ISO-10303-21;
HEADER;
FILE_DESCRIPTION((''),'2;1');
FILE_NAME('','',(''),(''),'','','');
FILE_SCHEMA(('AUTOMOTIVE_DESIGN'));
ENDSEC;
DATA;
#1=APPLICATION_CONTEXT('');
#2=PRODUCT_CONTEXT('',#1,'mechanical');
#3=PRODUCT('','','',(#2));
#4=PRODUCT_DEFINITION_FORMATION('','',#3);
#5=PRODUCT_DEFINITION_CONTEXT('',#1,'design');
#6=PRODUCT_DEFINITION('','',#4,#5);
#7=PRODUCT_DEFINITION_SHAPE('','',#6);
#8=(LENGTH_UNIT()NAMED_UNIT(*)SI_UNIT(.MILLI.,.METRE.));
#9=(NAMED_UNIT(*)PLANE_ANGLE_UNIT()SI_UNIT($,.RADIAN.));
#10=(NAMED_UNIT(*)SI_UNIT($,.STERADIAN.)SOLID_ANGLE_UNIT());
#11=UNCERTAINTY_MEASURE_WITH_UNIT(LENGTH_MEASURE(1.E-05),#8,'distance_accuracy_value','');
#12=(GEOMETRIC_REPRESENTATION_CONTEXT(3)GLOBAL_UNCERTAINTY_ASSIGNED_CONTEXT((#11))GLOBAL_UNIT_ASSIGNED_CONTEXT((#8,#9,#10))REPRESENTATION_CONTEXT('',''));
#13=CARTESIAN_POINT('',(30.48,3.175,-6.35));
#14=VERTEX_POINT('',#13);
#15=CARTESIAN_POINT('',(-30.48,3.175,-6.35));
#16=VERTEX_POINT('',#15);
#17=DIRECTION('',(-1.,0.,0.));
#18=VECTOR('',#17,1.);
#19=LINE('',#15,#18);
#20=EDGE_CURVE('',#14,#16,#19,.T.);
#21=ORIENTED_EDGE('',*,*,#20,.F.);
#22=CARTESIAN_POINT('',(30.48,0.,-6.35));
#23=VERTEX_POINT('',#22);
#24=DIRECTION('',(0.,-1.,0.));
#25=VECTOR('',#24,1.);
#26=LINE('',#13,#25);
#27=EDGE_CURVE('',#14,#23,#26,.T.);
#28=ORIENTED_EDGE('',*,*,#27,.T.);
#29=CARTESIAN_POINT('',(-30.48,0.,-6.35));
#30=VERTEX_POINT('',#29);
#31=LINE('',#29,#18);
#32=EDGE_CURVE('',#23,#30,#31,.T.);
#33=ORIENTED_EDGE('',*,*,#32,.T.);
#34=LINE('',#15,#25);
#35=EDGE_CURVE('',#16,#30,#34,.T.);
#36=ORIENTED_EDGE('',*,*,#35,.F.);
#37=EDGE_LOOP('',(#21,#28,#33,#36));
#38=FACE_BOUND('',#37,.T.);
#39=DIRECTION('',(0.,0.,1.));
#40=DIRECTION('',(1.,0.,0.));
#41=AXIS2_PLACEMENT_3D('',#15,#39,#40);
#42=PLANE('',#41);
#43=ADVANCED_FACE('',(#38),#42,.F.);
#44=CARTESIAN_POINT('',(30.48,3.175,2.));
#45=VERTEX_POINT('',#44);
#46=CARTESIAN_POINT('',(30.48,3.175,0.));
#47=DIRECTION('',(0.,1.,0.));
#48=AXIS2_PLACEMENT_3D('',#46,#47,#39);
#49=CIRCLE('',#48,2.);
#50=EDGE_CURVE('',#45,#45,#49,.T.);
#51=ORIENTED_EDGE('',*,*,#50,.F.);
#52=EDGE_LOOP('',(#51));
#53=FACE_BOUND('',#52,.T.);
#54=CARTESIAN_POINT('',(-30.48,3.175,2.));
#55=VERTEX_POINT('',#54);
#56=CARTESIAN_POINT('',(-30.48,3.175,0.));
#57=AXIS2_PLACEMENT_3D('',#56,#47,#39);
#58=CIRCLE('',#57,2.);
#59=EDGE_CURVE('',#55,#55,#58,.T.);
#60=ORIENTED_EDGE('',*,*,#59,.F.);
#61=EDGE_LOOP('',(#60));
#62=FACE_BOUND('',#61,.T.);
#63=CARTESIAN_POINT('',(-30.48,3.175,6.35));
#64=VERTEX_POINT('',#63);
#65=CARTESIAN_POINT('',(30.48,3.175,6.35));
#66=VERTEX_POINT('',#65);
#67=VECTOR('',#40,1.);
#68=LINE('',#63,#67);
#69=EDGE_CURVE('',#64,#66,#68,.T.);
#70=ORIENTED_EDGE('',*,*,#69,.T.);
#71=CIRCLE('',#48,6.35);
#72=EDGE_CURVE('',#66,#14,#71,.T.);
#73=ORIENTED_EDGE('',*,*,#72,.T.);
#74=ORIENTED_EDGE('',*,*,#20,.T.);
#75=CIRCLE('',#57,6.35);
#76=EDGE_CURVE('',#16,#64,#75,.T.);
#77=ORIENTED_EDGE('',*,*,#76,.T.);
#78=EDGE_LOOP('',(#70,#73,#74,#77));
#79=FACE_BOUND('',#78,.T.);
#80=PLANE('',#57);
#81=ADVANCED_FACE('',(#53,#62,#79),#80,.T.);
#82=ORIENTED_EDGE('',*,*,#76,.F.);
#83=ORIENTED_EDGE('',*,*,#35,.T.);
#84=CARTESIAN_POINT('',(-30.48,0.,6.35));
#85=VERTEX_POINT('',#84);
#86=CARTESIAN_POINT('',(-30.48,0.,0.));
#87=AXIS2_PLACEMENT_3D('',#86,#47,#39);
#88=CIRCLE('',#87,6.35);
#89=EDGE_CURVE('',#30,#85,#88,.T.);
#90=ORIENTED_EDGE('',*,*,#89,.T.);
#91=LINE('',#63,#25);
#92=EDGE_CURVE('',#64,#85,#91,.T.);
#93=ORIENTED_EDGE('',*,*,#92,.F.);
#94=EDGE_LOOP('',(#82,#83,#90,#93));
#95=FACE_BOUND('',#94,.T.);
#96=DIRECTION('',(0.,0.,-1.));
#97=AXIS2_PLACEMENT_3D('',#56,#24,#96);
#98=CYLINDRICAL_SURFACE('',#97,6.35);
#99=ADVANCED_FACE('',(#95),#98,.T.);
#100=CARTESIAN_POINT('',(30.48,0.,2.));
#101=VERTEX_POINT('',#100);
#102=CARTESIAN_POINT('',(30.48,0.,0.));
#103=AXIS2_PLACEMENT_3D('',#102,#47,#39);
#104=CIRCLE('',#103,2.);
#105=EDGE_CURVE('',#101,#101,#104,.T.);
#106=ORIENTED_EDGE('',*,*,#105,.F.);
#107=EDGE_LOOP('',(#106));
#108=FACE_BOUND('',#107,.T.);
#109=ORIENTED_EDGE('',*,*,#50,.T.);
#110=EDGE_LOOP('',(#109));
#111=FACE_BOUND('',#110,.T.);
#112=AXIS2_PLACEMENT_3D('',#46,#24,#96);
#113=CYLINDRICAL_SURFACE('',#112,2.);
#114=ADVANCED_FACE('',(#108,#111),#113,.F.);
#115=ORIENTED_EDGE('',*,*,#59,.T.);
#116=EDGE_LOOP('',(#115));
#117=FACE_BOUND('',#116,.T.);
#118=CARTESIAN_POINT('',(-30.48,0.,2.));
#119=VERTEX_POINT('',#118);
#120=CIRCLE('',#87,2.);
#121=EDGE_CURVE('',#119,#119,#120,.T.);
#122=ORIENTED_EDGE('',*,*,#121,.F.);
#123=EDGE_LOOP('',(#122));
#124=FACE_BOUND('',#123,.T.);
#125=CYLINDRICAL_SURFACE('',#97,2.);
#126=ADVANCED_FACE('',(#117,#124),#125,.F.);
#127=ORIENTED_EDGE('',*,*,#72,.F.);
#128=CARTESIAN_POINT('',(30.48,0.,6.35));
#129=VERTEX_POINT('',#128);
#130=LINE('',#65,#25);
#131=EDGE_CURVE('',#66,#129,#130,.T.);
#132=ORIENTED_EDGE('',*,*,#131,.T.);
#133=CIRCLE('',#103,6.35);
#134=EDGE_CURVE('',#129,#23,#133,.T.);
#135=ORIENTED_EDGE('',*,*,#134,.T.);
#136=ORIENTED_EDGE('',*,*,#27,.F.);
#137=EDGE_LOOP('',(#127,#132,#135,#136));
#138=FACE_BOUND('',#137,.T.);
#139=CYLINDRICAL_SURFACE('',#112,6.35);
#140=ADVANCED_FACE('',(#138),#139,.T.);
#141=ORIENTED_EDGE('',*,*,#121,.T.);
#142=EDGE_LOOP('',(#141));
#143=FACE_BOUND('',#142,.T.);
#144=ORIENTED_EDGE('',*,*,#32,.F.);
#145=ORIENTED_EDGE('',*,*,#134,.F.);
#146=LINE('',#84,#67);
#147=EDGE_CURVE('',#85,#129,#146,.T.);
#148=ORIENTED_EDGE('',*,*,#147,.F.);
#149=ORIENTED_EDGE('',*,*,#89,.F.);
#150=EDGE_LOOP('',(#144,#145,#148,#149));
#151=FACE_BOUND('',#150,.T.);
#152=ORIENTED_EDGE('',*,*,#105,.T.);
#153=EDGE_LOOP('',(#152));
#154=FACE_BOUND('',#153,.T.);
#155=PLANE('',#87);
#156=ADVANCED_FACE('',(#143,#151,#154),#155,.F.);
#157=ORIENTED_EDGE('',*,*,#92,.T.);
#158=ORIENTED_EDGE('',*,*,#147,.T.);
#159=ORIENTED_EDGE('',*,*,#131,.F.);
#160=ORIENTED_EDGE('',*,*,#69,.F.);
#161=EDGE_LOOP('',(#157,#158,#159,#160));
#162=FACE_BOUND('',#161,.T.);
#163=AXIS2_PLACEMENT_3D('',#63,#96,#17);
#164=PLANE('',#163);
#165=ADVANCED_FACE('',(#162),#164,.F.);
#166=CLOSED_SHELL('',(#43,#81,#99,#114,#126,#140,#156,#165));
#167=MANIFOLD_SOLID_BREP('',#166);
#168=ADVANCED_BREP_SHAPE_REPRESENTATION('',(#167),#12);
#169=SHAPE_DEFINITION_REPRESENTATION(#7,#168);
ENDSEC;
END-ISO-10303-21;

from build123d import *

# Parameters (mm, degrees)
SKETCH1_R           = 2.000000064
BOSS_EXTRUDE1_DEPTH = 3.175


with BuildPart() as part:
    # Sketch1 → Boss-Extrude1 (new body)
    with BuildSketch(Plane(origin=(0, 0, 0), x_dir=(1, 0, 0), z_dir=(0, 1, 0))):
        with BuildLine():
            Line((-30.48, 6.35), (30.48, 6.35))
            ThreePointArc((30.48, 6.35), (36.83, 0), (30.48, -6.35))
            Line((30.48, -6.35), (-30.48, -6.35))
            ThreePointArc((-30.48, -6.35), (-36.83, 0), (-30.48, 6.35))
        make_face()
        with Locations((-30.48, 0)):
            Circle(SKETCH1_R, mode=Mode.SUBTRACT)
        with Locations((30.48, 0)):
            Circle(SKETCH1_R, mode=Mode.SUBTRACT)
    extrude(amount=BOSS_EXTRUDE1_DEPTH)


solid = part.part
